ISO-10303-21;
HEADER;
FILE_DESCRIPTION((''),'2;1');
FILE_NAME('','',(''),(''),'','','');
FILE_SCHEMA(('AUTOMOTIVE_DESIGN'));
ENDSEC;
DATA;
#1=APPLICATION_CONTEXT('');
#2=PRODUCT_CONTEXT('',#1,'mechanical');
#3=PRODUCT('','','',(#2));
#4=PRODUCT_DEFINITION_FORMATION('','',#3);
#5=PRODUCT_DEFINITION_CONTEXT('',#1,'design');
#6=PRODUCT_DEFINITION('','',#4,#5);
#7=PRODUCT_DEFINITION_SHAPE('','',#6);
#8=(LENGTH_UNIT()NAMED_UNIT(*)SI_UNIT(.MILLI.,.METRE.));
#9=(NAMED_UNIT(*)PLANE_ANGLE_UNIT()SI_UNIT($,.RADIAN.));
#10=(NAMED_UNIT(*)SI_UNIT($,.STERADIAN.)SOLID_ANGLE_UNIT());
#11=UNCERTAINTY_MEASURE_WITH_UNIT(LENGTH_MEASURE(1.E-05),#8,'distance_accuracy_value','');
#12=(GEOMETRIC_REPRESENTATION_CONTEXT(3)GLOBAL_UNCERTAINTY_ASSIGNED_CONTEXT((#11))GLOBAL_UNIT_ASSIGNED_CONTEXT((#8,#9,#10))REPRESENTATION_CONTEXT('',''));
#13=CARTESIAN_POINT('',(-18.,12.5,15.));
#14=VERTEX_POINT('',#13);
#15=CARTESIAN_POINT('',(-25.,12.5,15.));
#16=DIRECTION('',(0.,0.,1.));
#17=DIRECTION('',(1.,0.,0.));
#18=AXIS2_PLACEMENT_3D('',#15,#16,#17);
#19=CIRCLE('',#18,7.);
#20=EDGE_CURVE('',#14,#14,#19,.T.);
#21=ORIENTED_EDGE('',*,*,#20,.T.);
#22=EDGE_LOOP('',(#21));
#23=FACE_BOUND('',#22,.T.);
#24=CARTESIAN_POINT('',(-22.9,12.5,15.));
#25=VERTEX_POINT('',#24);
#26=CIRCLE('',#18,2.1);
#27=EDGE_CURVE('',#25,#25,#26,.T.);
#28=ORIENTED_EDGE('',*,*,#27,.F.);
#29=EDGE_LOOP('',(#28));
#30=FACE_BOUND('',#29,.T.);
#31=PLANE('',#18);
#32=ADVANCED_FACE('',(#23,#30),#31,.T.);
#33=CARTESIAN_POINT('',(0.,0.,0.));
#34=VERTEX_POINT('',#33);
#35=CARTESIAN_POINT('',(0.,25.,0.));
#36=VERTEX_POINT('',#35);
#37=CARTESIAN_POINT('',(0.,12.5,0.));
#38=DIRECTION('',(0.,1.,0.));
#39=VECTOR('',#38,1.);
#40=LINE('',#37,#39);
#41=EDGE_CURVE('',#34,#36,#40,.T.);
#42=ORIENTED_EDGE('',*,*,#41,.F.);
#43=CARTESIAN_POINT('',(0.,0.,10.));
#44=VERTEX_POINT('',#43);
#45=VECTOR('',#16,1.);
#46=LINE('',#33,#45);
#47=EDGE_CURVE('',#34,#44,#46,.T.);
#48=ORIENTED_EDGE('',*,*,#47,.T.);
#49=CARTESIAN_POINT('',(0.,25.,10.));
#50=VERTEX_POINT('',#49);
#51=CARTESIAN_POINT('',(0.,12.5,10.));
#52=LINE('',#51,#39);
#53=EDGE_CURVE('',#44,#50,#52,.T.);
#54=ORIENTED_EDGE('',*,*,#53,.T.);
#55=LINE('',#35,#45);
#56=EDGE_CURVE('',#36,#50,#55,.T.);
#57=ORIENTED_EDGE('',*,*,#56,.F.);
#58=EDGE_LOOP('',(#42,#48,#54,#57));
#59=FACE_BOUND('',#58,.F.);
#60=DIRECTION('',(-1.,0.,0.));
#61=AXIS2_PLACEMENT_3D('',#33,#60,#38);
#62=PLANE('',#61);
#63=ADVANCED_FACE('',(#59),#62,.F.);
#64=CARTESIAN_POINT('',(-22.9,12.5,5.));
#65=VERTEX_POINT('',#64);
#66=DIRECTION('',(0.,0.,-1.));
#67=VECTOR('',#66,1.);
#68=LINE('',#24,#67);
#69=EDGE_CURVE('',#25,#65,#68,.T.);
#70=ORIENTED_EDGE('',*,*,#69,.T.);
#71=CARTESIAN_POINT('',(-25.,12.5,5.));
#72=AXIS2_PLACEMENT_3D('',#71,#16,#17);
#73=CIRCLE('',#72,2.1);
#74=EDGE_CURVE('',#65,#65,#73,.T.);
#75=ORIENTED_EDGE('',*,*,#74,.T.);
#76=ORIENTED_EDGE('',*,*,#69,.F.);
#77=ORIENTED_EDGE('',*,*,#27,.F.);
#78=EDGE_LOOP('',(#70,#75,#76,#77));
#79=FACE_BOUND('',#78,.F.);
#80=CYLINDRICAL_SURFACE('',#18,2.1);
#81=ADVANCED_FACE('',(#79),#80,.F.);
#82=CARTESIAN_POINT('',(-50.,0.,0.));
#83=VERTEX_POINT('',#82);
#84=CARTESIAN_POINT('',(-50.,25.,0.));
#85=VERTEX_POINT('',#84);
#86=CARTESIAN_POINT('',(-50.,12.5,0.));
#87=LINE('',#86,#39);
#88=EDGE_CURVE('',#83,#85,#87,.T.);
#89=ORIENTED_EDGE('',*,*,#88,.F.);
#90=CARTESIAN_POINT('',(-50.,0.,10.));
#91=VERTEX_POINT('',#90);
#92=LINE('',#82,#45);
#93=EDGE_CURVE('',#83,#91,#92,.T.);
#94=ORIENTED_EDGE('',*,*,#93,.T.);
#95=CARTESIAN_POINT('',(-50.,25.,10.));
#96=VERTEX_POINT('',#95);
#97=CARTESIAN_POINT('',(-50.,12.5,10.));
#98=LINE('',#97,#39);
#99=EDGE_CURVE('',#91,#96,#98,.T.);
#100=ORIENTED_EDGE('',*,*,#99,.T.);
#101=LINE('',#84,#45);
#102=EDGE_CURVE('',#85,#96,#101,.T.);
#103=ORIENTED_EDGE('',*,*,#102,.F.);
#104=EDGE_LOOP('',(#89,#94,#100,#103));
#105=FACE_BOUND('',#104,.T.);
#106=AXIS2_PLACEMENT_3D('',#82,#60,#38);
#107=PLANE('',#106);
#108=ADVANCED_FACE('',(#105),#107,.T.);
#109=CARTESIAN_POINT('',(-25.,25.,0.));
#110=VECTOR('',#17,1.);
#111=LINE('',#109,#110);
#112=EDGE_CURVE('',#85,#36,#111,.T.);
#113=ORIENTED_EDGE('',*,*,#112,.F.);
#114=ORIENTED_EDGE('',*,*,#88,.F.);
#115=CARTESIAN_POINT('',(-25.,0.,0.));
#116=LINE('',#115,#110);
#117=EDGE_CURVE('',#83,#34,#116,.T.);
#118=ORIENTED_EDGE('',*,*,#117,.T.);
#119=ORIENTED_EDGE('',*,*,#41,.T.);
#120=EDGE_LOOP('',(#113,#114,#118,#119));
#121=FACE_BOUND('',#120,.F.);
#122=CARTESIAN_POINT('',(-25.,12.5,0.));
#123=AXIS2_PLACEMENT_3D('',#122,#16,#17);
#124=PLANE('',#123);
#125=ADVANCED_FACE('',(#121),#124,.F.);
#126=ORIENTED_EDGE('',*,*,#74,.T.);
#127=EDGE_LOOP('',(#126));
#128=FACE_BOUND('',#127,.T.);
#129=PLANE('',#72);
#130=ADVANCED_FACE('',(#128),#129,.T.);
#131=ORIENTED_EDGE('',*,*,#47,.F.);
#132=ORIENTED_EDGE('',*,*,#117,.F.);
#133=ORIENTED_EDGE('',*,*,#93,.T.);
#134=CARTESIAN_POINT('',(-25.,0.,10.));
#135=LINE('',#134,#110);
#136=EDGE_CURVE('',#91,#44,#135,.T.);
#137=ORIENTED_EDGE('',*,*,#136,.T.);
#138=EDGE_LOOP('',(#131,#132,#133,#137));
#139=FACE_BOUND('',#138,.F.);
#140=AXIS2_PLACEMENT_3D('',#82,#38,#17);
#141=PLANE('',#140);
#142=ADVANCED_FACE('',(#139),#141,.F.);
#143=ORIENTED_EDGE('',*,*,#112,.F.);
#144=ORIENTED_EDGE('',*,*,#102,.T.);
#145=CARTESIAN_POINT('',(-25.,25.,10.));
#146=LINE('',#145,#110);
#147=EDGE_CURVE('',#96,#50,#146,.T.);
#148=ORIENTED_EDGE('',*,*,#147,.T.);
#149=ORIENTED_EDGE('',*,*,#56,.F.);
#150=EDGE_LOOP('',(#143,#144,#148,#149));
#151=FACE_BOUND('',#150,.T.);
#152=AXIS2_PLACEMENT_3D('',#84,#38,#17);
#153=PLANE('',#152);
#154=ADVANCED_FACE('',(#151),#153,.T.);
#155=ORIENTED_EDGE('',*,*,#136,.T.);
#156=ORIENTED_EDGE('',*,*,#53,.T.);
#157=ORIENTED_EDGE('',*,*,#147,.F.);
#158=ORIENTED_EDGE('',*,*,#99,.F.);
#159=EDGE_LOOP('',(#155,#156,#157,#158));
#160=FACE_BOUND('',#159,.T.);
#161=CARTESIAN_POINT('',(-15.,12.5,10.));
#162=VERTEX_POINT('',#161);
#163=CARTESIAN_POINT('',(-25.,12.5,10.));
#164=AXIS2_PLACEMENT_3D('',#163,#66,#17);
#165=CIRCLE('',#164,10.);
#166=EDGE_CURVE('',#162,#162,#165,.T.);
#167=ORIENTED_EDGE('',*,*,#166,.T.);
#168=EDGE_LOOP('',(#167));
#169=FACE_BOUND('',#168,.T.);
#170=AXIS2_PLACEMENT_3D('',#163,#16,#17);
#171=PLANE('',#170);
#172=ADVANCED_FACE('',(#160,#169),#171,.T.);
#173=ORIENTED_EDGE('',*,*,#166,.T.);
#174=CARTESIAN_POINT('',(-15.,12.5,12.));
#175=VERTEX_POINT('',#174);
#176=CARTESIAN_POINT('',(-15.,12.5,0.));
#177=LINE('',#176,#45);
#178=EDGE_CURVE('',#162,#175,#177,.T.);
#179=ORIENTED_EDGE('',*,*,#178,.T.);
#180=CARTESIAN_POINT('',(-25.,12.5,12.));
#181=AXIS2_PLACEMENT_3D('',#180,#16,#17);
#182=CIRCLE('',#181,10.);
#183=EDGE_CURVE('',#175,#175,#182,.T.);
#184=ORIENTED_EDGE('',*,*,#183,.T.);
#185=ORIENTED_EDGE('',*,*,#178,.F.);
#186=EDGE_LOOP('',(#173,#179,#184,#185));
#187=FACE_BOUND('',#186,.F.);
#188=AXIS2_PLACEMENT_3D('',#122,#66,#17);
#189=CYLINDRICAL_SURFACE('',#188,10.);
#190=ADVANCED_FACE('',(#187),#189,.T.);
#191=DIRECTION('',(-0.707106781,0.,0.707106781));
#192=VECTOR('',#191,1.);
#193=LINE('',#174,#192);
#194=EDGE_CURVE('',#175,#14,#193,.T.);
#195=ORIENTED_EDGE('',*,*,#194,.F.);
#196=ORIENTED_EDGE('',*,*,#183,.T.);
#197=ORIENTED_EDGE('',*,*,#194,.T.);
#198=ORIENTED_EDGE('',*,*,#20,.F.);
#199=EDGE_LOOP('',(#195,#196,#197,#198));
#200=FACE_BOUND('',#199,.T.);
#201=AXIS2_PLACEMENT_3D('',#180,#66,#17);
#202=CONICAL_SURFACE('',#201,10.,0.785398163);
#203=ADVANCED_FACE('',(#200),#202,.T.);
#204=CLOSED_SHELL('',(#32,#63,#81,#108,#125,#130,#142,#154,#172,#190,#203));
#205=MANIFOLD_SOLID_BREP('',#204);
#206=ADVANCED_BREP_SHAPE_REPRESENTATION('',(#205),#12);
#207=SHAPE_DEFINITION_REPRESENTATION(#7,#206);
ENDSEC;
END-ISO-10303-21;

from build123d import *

# Parameters (mm, degrees)
SKETCH_W      = 50
SKETCH_H      = 25
PAD_DEPTH     = 10
SKETCH001_R   = 10
PAD001_DEPTH  = 15
SKETCH002_R   = 2.1
POCKET_DEPTH  = 10
CHAMFER_SIZE2 = 3
CHAMFER_SIZE  = 3


with BuildPart() as part:
    # Sketch → Pad (new body)
    with BuildSketch(Plane.XY):
        with Locations((-25, 12.5)):
            Rectangle(SKETCH_W, SKETCH_H)
    extrude(amount=PAD_DEPTH)

    # Sketch001 → Pad001 (join)
    with BuildSketch(Plane.XY):
        with Locations((-25, 12.5)):
            Circle(SKETCH001_R)
    extrude(amount=PAD001_DEPTH)

    # Sketch002 (on Face9 of Pad001) → Pocket (cut)
    with BuildSketch(Plane.XY.offset(15)):
        with Locations((-25, 12.5)):
            Circle(SKETCH002_R)
    extrude(amount=-POCKET_DEPTH, mode=Mode.SUBTRACT)

    # Chamfer
    chamfer_edges = [part.edges().sort_by_distance(p)[0] for p in [
        (-35, 12.5, 15),
    ]]
    chamfer_side = part.faces().sort_by_distance((-35, 12.5, 12.5))[0]
    chamfer(chamfer_edges, length=CHAMFER_SIZE, length2=CHAMFER_SIZE2, reference=chamfer_side)


solid = part.part
